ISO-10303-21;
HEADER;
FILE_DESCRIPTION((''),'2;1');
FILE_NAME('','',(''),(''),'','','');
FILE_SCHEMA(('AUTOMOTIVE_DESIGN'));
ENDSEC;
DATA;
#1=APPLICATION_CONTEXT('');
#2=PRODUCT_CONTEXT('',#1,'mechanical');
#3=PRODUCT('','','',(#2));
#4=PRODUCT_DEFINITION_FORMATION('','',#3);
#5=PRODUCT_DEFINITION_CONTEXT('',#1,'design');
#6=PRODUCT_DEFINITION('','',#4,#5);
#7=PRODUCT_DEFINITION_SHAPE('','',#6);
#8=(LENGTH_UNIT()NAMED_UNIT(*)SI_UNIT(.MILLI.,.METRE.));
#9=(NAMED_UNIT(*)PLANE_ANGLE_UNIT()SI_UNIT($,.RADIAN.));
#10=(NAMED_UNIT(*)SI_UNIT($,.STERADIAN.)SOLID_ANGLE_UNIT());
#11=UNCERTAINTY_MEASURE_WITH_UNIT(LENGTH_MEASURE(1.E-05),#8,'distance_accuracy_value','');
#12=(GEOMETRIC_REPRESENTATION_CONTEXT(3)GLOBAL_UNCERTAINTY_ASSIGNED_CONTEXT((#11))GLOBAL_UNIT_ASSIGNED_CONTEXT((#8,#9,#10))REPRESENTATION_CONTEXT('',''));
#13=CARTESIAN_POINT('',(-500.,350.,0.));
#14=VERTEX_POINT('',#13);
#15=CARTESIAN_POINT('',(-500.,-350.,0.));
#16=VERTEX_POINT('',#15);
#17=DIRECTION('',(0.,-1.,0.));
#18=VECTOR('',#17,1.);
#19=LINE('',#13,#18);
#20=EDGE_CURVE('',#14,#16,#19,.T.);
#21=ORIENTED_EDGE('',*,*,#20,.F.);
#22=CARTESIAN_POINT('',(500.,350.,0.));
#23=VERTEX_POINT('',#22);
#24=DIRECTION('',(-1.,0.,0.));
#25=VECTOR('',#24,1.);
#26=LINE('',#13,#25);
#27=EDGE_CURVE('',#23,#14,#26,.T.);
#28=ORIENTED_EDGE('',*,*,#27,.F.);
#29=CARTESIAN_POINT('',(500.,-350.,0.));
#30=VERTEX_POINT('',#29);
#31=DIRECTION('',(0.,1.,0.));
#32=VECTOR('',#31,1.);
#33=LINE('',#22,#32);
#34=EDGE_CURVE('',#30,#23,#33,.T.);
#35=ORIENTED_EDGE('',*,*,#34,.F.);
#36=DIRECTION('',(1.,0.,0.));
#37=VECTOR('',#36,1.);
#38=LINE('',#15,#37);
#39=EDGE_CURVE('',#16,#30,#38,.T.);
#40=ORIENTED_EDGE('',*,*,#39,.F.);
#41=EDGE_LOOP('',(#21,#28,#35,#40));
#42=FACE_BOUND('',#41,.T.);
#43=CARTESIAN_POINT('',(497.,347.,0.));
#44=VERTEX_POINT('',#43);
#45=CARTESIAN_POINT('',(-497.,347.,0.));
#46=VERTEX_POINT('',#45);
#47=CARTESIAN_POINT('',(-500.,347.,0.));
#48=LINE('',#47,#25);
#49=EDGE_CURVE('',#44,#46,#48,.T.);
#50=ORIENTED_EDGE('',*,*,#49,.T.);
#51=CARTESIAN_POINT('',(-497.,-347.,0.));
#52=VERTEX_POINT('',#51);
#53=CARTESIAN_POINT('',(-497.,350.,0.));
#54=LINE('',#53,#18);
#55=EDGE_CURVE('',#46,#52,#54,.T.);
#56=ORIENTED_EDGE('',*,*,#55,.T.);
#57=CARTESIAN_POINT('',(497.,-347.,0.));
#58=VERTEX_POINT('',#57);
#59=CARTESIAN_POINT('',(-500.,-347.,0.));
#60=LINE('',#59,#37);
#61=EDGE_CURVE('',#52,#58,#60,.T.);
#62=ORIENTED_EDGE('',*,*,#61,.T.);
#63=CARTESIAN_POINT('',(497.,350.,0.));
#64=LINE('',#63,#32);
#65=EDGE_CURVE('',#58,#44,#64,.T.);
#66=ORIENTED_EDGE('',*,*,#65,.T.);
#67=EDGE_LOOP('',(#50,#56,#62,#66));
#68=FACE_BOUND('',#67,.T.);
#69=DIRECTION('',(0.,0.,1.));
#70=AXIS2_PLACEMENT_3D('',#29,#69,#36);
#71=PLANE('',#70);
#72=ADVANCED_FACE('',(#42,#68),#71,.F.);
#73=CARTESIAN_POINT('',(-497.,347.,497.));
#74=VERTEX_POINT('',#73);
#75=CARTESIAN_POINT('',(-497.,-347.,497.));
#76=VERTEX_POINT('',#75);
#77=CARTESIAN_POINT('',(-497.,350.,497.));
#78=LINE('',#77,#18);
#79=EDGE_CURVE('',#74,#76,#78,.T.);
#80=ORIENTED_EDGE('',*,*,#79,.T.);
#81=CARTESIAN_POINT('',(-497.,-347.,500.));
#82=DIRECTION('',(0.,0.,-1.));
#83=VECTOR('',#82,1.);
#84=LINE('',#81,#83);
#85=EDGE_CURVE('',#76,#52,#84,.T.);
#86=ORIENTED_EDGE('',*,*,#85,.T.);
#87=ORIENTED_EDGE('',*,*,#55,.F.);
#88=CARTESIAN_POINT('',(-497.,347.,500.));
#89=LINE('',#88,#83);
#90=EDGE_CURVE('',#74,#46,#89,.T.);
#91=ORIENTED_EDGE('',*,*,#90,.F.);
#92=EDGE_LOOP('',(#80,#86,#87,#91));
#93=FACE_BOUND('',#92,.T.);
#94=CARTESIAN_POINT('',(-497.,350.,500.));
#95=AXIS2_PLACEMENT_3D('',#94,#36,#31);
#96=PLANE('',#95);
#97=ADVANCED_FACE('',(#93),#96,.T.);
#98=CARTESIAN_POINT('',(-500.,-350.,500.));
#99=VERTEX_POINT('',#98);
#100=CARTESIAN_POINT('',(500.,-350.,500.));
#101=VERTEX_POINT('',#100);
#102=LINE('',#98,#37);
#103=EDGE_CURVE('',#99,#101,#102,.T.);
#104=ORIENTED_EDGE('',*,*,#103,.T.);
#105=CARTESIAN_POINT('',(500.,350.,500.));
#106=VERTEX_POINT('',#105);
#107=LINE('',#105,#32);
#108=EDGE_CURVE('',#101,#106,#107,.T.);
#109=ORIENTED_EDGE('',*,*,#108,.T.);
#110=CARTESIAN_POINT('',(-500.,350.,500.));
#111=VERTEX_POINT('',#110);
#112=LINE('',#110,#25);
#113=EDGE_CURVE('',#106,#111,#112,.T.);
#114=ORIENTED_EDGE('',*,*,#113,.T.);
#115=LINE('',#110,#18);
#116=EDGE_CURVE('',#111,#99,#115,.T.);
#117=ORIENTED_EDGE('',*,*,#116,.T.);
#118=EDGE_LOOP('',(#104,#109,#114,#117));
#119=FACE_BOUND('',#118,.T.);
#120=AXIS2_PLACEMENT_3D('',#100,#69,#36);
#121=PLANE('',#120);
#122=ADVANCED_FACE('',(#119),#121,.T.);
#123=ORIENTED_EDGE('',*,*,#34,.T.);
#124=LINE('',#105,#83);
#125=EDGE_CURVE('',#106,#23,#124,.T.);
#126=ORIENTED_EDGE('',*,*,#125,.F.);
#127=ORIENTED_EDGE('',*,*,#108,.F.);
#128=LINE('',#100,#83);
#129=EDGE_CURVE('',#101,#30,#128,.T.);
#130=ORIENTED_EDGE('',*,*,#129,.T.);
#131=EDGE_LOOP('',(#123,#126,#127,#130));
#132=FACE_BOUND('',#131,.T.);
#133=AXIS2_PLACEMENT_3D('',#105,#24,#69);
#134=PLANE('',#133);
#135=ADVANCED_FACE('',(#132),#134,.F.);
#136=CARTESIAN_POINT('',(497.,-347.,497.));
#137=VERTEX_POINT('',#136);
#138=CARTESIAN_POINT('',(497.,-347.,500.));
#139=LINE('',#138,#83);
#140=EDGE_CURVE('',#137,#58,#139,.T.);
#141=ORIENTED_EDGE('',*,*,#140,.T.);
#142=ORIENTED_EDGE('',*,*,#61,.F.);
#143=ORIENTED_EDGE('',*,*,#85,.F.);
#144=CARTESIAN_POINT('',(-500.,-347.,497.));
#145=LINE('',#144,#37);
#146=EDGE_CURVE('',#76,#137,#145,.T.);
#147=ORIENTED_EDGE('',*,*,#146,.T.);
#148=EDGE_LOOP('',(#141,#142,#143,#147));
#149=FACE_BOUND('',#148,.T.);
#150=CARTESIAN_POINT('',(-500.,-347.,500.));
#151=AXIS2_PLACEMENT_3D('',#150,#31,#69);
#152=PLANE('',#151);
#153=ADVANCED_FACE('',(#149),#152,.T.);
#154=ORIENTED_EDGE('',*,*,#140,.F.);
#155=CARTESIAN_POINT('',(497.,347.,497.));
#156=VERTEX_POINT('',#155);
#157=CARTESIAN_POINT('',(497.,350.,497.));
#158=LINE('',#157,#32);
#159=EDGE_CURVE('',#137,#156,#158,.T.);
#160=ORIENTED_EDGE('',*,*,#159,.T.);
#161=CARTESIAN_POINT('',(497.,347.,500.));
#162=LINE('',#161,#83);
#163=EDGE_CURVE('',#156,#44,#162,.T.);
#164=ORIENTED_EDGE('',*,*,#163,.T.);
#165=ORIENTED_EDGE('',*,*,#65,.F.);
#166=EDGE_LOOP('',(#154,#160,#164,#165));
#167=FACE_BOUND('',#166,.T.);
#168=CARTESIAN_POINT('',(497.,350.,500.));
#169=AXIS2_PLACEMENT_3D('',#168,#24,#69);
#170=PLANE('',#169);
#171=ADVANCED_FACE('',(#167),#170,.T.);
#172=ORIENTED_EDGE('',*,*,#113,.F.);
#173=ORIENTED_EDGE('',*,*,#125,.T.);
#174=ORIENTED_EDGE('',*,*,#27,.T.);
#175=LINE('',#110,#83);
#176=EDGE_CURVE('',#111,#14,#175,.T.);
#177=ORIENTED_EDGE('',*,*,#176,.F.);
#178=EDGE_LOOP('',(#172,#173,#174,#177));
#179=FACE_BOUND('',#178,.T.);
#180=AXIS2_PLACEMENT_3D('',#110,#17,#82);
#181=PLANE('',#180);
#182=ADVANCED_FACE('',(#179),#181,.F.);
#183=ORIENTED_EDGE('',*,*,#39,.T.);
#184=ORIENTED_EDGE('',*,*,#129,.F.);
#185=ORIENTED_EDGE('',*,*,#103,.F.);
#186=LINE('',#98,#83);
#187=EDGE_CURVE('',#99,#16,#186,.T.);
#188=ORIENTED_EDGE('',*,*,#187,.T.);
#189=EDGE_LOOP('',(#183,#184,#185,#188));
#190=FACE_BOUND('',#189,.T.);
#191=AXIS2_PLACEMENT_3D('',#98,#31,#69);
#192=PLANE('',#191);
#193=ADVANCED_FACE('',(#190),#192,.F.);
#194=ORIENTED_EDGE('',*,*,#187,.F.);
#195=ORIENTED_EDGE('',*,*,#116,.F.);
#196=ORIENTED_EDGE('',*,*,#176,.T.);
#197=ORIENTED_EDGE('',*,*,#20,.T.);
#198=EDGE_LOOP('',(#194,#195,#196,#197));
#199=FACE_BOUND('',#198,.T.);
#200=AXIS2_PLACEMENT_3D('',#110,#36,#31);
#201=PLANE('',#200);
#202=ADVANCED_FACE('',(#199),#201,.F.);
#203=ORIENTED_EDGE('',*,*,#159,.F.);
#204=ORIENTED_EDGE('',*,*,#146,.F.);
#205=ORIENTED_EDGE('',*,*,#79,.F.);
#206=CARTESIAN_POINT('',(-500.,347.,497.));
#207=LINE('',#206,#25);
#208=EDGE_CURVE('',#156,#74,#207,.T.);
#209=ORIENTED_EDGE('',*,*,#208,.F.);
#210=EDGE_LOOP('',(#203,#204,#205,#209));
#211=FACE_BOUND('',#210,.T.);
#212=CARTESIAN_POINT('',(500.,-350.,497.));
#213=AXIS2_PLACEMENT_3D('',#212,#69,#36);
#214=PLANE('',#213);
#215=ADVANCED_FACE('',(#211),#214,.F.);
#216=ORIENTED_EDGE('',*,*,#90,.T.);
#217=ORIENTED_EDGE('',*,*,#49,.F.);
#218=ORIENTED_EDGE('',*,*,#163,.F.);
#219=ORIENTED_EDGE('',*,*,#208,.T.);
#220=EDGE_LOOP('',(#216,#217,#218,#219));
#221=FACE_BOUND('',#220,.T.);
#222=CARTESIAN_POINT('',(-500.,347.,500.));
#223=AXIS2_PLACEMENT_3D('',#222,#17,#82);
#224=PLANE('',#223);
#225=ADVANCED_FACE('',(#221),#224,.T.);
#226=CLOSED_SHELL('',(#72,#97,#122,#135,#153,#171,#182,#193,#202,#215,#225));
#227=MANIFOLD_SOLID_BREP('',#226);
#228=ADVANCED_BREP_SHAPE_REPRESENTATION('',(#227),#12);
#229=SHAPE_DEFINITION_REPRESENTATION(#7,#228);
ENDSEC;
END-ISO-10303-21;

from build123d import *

# Parameters (mm, degrees)
SKETCH_2_W      = 1000
SKETCH_2_H      = 700
EXTRUDE_1_DEPTH = 500
SHELL_1_T       = -3


with BuildPart() as part:
    # 草图2 → 拉伸1 (new body)
    with BuildSketch(Plane.XY):
        Rectangle(SKETCH_2_W, SKETCH_2_H)
    extrude(amount=EXTRUDE_1_DEPTH)

    # 抽壳1
    shell_1_openings = [part.faces().sort_by_distance(p)[0] for p in [
        (0, 0, 0),
    ]]
    offset(amount=SHELL_1_T, openings=shell_1_openings, kind=Kind.INTERSECTION)


solid = part.part
